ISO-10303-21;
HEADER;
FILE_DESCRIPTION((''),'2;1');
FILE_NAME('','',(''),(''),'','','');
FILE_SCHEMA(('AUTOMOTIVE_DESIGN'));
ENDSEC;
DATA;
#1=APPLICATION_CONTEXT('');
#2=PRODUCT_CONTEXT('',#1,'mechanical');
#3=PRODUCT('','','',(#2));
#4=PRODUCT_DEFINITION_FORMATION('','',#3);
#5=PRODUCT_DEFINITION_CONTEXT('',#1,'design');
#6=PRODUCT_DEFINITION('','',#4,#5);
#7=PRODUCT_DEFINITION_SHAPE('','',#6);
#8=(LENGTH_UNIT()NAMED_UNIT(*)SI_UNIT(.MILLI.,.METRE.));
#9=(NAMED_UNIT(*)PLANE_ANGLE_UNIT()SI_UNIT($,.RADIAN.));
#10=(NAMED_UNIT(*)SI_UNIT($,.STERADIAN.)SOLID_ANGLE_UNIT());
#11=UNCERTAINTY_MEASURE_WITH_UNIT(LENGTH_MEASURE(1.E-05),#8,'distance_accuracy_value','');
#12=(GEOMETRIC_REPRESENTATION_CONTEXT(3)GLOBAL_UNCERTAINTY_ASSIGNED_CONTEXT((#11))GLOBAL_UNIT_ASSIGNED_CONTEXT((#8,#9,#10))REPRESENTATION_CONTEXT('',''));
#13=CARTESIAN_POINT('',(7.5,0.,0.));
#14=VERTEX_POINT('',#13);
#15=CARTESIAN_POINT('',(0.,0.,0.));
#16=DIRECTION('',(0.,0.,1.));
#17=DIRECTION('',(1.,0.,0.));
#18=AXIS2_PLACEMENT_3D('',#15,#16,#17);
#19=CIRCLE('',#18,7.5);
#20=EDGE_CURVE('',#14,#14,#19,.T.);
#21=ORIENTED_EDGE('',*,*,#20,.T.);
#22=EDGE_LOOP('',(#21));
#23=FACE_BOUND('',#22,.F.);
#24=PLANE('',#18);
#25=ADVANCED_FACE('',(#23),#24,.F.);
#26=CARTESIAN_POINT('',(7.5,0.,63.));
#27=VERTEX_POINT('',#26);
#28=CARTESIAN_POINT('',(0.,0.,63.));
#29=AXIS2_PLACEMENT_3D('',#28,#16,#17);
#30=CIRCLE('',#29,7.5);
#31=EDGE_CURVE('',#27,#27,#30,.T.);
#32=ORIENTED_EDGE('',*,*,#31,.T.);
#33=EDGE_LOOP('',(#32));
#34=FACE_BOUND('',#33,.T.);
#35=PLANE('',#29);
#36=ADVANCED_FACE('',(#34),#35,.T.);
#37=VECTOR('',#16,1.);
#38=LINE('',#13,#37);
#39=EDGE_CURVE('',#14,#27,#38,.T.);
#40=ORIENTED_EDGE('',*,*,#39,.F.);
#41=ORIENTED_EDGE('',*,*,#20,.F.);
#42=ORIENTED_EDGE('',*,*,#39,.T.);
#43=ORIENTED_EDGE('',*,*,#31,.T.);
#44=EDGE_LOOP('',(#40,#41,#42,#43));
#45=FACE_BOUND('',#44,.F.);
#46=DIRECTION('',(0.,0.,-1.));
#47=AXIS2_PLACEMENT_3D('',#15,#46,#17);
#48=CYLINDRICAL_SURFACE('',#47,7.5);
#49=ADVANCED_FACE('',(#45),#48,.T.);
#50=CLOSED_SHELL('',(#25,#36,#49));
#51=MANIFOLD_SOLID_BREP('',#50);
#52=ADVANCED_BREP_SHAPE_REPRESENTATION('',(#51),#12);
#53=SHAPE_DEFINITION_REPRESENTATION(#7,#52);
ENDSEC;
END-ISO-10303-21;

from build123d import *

# Parameters (mm, degrees)
SKETCH1_R           = 7.5
BOSS_EXTRUDE1_DEPTH = 63


with BuildPart() as part:
    # Sketch1 → Boss-Extrude1 (new body)
    with BuildSketch(Plane.XY):
        Circle(SKETCH1_R)
    extrude(amount=BOSS_EXTRUDE1_DEPTH)


solid = part.part
